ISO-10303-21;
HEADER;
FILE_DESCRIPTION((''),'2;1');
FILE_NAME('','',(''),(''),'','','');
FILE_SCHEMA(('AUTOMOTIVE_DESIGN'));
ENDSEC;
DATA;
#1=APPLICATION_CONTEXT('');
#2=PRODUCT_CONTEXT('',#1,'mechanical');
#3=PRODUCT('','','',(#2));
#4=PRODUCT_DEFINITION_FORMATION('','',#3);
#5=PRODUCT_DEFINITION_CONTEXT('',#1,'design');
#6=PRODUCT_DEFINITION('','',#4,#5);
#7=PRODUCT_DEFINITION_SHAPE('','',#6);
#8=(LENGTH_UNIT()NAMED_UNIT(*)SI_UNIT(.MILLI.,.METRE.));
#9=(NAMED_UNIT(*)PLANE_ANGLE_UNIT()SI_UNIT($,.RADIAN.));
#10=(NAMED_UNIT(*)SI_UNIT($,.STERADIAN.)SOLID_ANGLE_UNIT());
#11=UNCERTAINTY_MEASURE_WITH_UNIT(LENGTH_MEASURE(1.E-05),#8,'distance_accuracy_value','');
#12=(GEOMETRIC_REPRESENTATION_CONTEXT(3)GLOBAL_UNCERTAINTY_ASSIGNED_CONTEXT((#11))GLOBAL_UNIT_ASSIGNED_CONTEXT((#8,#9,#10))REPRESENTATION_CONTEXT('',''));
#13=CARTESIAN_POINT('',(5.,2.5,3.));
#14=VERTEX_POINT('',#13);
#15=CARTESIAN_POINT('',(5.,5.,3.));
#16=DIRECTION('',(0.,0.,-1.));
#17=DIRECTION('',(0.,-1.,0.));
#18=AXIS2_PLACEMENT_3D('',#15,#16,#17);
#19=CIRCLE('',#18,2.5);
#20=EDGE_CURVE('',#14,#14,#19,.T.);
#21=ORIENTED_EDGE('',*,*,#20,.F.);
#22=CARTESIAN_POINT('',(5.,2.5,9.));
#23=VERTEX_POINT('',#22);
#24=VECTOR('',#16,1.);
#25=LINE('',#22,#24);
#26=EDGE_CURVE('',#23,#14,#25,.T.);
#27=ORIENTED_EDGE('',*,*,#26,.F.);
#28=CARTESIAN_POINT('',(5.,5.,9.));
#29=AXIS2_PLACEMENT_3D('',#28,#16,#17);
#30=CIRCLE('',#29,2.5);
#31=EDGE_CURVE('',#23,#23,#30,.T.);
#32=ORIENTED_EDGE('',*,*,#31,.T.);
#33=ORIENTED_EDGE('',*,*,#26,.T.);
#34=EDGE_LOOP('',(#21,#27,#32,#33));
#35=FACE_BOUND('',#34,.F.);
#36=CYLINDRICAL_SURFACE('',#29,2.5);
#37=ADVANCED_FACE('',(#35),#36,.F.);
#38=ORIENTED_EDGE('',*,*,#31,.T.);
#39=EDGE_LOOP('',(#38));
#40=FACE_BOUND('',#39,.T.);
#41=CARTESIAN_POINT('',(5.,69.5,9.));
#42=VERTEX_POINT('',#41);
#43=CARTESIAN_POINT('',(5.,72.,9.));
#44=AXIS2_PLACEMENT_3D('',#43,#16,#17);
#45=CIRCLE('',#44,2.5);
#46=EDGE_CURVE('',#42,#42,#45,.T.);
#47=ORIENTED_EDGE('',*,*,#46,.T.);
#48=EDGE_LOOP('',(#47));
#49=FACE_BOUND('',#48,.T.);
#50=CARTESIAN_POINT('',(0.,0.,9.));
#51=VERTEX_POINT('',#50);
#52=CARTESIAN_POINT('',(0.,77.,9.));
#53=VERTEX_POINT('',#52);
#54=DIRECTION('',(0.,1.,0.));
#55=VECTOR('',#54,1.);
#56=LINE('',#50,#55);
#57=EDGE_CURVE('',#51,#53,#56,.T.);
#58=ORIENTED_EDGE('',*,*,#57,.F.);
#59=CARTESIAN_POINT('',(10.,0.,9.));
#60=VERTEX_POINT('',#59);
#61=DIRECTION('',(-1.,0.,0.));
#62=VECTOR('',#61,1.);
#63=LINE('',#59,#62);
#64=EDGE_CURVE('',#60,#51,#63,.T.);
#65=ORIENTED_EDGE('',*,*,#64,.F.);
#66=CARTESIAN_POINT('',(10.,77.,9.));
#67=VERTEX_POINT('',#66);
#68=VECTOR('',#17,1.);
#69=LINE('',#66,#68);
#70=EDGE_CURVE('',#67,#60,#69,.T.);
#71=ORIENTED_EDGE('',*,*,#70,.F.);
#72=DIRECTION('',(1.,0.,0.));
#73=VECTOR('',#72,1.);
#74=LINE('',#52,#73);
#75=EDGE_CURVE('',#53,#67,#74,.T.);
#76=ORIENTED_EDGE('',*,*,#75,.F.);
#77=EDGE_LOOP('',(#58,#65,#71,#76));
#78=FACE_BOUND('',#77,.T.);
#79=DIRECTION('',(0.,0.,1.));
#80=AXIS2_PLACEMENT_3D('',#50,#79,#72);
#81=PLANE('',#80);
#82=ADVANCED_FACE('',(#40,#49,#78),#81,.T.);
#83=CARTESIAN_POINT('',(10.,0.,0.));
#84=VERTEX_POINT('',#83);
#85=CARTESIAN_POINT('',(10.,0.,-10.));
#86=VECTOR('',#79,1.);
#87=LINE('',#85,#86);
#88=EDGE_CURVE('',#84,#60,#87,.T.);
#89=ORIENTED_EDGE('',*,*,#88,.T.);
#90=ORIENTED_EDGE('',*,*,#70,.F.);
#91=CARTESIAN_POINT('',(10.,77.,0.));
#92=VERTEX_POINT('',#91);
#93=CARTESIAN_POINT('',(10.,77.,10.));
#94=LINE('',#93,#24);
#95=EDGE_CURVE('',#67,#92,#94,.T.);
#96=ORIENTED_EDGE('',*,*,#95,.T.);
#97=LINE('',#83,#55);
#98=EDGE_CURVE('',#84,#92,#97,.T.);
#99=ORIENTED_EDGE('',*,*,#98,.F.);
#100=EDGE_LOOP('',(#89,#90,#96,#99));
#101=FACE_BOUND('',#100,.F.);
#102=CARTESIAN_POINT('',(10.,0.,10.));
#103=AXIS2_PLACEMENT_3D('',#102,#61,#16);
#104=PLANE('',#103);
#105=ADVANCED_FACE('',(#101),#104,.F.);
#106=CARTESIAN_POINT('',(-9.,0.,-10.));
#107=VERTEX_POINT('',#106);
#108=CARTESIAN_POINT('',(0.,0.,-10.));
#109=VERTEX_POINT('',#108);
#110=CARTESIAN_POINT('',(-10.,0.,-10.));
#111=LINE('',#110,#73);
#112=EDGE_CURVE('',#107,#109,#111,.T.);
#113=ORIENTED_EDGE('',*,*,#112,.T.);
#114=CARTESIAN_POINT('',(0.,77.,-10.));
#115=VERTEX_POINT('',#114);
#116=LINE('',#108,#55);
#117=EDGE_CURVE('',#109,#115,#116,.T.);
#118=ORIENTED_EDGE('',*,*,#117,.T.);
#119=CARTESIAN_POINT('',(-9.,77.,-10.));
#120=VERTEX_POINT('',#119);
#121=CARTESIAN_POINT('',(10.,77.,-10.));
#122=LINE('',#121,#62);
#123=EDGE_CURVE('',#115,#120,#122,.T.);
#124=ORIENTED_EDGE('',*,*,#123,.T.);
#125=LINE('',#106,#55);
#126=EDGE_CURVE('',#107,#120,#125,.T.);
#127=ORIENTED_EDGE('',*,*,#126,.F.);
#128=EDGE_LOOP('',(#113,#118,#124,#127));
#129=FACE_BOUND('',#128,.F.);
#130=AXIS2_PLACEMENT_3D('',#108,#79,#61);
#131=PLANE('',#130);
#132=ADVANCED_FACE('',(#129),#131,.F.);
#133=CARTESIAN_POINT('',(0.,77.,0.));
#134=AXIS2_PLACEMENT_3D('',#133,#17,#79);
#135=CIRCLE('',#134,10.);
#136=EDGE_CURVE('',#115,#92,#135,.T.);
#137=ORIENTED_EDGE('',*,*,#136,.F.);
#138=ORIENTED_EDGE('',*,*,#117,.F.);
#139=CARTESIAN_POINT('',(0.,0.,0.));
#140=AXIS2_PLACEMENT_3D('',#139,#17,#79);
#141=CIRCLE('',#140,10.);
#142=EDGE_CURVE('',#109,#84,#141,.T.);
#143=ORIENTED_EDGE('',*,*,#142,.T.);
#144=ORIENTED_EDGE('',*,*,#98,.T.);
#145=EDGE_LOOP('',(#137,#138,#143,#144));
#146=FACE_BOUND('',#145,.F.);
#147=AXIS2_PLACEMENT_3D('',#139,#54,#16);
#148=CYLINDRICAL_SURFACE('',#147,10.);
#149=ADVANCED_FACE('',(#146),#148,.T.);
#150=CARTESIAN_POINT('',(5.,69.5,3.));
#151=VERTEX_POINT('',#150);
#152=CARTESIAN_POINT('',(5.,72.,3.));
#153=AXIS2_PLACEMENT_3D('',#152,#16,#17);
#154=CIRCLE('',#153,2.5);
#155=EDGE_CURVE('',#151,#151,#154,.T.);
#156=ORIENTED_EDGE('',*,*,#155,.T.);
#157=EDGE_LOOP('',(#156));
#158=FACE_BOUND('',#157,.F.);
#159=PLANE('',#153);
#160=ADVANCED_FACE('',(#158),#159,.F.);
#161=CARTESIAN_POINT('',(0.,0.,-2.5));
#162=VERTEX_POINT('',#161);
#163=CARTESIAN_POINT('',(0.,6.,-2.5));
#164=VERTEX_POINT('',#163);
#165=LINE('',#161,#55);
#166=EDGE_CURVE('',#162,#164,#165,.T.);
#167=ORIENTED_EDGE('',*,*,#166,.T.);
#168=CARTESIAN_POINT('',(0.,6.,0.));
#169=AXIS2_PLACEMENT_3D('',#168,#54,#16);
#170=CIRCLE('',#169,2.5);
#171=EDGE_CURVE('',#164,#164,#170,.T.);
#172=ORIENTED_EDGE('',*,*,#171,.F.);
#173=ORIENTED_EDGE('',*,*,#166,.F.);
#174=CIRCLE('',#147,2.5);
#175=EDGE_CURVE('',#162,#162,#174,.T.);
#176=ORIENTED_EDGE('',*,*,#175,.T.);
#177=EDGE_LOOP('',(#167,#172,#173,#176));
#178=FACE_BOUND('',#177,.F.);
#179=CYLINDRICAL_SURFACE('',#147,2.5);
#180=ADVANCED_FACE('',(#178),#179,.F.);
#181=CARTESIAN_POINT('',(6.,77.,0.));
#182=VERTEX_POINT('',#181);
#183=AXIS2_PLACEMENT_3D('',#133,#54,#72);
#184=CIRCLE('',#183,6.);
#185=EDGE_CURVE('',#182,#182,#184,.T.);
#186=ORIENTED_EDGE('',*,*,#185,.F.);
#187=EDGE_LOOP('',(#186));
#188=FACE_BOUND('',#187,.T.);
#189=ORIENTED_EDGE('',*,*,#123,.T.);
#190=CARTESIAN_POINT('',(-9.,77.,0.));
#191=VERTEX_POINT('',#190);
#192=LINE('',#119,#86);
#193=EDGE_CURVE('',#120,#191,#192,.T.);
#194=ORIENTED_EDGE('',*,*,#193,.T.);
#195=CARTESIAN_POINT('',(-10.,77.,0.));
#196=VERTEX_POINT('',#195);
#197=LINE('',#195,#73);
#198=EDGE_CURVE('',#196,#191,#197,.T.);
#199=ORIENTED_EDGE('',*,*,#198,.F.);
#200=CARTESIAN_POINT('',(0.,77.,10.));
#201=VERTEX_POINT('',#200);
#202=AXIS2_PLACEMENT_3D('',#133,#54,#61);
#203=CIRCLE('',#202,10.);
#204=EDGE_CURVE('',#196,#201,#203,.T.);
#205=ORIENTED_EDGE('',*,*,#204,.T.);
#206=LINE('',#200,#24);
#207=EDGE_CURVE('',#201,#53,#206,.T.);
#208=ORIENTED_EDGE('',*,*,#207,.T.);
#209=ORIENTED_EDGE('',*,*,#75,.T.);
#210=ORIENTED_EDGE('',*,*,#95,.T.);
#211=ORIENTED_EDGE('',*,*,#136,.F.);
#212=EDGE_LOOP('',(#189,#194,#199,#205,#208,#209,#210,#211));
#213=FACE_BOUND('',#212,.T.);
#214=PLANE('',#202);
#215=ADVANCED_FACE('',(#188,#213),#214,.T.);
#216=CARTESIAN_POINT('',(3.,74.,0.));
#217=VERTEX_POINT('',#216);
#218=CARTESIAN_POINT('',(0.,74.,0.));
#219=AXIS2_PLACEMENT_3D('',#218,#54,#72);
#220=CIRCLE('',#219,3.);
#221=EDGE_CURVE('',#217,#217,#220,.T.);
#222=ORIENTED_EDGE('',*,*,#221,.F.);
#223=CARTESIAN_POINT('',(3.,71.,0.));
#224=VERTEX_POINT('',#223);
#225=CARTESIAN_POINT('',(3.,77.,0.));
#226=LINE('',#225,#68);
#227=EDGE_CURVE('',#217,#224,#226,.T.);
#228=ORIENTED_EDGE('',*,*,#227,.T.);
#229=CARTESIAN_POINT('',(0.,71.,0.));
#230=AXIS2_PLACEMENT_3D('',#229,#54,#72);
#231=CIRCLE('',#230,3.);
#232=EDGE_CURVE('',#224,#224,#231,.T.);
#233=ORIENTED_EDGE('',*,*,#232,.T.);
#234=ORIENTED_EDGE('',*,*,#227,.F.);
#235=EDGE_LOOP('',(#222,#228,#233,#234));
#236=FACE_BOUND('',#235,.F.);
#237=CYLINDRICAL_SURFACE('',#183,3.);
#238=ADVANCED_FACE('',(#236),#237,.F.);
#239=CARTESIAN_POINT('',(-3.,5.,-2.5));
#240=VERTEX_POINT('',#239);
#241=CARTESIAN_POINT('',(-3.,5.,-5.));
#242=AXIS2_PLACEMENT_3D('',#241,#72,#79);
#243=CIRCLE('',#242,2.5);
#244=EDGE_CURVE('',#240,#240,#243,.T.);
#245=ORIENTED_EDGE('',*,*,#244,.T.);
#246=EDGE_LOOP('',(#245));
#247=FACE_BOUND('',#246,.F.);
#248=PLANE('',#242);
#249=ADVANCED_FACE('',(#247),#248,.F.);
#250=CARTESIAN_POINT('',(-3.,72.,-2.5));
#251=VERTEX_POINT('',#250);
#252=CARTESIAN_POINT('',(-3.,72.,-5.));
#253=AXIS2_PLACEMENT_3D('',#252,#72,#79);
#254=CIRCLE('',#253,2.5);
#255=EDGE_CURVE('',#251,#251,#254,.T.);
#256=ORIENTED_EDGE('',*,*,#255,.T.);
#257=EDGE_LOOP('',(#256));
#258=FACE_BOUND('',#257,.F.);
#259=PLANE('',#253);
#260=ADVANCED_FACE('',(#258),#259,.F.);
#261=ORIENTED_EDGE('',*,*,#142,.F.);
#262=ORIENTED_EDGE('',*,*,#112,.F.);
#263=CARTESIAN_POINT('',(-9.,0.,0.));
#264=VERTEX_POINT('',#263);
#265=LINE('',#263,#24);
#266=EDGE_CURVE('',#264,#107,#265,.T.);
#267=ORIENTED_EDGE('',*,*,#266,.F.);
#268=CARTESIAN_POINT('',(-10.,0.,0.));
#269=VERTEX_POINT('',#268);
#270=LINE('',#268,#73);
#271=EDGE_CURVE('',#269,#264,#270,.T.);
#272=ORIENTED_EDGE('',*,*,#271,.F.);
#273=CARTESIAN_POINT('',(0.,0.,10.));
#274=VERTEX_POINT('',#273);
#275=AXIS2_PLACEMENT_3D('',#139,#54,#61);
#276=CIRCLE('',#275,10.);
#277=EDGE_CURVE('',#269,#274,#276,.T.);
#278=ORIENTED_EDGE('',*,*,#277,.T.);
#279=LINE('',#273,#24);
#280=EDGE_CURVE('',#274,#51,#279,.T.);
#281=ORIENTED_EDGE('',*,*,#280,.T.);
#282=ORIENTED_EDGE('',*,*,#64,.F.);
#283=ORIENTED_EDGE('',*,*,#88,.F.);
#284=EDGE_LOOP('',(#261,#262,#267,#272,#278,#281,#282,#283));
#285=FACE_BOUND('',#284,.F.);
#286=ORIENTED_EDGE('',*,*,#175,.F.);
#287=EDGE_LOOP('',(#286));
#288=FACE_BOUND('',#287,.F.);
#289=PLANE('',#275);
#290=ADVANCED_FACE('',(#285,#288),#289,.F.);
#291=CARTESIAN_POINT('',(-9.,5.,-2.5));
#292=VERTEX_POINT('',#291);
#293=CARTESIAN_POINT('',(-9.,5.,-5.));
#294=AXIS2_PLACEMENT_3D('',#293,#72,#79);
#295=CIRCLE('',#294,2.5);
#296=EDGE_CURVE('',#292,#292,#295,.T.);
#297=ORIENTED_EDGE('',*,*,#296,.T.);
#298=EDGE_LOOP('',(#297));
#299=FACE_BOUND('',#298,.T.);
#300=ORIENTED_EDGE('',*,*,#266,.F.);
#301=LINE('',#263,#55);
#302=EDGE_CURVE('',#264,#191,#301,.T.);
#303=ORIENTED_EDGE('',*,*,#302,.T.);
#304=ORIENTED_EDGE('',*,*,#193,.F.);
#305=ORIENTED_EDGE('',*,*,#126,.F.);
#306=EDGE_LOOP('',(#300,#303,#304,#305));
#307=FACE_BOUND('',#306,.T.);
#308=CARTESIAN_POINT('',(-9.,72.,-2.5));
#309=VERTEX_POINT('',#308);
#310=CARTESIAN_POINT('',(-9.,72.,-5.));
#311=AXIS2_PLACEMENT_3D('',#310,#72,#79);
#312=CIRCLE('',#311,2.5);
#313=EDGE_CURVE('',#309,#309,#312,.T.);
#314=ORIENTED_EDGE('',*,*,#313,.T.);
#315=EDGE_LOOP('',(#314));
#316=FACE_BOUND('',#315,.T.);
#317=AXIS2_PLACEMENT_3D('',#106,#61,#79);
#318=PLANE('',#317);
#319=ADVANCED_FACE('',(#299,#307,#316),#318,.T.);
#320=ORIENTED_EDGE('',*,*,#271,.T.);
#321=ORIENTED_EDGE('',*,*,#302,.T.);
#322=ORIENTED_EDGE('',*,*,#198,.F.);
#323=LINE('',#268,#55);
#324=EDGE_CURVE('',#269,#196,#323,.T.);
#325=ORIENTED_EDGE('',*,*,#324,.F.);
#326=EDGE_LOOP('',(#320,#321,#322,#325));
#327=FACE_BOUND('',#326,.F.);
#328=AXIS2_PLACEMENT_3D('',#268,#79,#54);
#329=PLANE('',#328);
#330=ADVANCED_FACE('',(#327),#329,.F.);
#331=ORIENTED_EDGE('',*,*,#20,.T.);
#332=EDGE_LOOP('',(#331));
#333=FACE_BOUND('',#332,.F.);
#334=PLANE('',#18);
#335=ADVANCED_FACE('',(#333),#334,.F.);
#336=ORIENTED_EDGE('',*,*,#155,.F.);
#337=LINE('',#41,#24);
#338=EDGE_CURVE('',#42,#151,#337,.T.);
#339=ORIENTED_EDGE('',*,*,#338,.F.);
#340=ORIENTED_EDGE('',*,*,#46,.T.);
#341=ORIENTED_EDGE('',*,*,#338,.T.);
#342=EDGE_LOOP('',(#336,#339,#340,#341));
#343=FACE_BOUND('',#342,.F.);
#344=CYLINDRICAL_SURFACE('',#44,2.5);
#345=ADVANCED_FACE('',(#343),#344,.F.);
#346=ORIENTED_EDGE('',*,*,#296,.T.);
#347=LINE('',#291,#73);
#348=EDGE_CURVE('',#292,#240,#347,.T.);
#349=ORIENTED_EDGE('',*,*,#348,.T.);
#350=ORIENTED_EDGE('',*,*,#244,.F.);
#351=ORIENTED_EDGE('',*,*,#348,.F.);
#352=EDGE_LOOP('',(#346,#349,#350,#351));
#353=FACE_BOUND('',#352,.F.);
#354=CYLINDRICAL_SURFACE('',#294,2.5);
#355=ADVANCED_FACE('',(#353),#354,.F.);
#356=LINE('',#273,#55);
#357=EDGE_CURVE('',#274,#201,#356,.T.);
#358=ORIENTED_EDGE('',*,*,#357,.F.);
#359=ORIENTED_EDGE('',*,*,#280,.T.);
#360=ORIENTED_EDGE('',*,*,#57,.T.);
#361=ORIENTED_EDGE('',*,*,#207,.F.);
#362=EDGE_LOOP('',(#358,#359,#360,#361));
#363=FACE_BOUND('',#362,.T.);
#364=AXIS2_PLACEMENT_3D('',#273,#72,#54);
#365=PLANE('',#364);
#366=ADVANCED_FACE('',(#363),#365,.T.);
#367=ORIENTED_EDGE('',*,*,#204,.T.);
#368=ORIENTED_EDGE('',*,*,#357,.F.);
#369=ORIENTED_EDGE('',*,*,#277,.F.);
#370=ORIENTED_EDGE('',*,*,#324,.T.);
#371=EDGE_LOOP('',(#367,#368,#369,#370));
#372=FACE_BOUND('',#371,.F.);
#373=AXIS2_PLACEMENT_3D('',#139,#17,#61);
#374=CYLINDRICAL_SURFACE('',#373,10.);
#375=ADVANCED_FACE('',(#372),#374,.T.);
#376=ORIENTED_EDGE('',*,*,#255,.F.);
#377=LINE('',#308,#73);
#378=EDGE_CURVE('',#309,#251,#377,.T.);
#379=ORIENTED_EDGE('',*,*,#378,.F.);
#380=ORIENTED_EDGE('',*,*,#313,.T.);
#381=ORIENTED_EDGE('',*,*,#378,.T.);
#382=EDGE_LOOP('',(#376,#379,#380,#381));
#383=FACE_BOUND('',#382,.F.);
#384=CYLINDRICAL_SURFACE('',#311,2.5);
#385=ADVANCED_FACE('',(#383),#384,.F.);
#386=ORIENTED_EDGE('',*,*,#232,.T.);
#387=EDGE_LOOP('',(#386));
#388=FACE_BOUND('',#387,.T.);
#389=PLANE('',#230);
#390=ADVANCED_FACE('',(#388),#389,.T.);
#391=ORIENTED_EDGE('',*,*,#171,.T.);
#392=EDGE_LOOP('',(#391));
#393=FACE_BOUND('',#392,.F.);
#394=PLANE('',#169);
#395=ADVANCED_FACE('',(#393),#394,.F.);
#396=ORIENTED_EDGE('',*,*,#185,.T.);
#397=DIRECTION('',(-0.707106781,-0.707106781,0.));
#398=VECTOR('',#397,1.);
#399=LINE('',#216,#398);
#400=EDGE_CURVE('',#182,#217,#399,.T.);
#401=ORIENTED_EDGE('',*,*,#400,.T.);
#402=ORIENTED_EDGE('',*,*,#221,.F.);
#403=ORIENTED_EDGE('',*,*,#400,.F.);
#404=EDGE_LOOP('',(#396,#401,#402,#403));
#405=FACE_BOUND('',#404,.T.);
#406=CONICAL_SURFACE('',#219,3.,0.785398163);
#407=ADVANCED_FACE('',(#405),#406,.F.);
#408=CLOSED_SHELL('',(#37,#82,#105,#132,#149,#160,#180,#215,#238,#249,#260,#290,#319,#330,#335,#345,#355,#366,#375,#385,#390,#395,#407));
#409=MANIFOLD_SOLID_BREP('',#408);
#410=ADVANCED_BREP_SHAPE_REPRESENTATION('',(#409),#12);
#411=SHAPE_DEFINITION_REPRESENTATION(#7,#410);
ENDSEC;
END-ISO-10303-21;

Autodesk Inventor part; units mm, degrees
ref_plane "YZ Plane" through (0, 0, 0) normal (1, 0, 0) x (0, 1, 0)
ref_plane "XZ Plane" through (0, 0, 0) normal (0, 1, 0) x (-1, 0, 0)
ref_plane "XY Plane" through (0, 0, 0) normal (0, 0, 1) x (1, 0, 0)
sketch "スケッチ1" plane through (0, 0, 0) normal (0, 1, 0) x (-1, 0, 0)
  circle A0 centre (0, 0) radius 10
  line L0 (0, 10) -> (-10, 10)
  line L1 (-10, 10) -> (-10, -10)
  line L2 (-10, -10) -> (10, -10)
  line L3 (10, -10) -> (10, 0)
  dimension "d0" = 20
  dimension "d1" = 10
  dimension "d2" = 10
extrude "押し出し1" add sketch "スケッチ1" along normal blind 77
sketch "スケッチ2" plane through (0, 0, 10) normal (0, 0, 1) x (1, 0, 0)
  line L0 (0, 0) -> (0, 77) projected
  line L1 (0, 77) -> (10, 77) projected
  line L2 (10, 77) -> (10, 0) projected
  line L3 (10, 0) -> (0, 0) projected
extrude "押し出し2" cut sketch "スケッチ2" against normal blind 1
sketch "スケッチ3" plane through (-10, 0, -10) normal (-1, 0, 0) x (0, 0, 1)
  line L0 (0, 77) -> (10, 77) projected
  line L1 (10, 0) -> (10, 77) projected
  line L2 (10, 0) -> (0, 0) projected
  line L3 (0, 0) -> (0, 77) projected
extrude "押し出し3" cut sketch "スケッチ3" against normal blind 1
sketch "スケッチ4" plane through (0, 0, 9) normal (0, 0, 1) x (1, 0, 0)
  line L0 (0, 77) -> (10, 77) projected
  line L1 (10, 77) -> (10, 0) projected
  line L2 (10, 0) -> (0, 0) projected
  point P0 (5, 72)
  point P1 (5, 5)
  dimension "d9" = 5
  dimension "d10" = 5
  dimension "d11" = 5
hole "穴1" at (5, 72, 9) at (5, 5, 9) direction (0, 0, -1) diameter 5 depth 6
sketch "スケッチ5" plane through (0, 0, 0) normal (0, 1, 0) x (1, 0, 0)
  point P0 (0, 0)
hole "穴2" at (0, 0, 0) direction (0, 1, 0) diameter 5 depth 6
sketch "スケッチ6" plane through (-9, 0, -10) normal (-1, 0, 0) x (0, 0, 1)
  line L0 (0, 0) -> (0, 77) projected
  line L1 (0, 77) -> (10, 77) projected
  line L2 (10, 0) -> (0, 0) projected
  point P0 (5, 72)
  point P1 (5, 5)
  dimension "d26" = 5
  dimension "d27" = 5
  dimension "d28" = 5
  dimension "d29" = 5
hole "穴3" at (-9, 72, -5) at (-9, 5, -5) direction (1, 0, 0) diameter 5 depth 6
sketch "スケッチ7" plane through (0, 77, 0) normal (0, 1, 0) x (1, 0, 0)
  circle A0 centre (0, 0) radius 3
  dimension "d37" = 6
extrude "押し出し4" cut sketch "スケッチ7" against normal blind 6
chamfer "面取り1" distance 3 angle 45 1 edges at (-3, 77, 0)
fillet "フィレット1" radius 10 1 edges at (10, 38.5, -10)
equation "\"d11\" = d9"
properties part number "base6" material "ABS プラスチック"
